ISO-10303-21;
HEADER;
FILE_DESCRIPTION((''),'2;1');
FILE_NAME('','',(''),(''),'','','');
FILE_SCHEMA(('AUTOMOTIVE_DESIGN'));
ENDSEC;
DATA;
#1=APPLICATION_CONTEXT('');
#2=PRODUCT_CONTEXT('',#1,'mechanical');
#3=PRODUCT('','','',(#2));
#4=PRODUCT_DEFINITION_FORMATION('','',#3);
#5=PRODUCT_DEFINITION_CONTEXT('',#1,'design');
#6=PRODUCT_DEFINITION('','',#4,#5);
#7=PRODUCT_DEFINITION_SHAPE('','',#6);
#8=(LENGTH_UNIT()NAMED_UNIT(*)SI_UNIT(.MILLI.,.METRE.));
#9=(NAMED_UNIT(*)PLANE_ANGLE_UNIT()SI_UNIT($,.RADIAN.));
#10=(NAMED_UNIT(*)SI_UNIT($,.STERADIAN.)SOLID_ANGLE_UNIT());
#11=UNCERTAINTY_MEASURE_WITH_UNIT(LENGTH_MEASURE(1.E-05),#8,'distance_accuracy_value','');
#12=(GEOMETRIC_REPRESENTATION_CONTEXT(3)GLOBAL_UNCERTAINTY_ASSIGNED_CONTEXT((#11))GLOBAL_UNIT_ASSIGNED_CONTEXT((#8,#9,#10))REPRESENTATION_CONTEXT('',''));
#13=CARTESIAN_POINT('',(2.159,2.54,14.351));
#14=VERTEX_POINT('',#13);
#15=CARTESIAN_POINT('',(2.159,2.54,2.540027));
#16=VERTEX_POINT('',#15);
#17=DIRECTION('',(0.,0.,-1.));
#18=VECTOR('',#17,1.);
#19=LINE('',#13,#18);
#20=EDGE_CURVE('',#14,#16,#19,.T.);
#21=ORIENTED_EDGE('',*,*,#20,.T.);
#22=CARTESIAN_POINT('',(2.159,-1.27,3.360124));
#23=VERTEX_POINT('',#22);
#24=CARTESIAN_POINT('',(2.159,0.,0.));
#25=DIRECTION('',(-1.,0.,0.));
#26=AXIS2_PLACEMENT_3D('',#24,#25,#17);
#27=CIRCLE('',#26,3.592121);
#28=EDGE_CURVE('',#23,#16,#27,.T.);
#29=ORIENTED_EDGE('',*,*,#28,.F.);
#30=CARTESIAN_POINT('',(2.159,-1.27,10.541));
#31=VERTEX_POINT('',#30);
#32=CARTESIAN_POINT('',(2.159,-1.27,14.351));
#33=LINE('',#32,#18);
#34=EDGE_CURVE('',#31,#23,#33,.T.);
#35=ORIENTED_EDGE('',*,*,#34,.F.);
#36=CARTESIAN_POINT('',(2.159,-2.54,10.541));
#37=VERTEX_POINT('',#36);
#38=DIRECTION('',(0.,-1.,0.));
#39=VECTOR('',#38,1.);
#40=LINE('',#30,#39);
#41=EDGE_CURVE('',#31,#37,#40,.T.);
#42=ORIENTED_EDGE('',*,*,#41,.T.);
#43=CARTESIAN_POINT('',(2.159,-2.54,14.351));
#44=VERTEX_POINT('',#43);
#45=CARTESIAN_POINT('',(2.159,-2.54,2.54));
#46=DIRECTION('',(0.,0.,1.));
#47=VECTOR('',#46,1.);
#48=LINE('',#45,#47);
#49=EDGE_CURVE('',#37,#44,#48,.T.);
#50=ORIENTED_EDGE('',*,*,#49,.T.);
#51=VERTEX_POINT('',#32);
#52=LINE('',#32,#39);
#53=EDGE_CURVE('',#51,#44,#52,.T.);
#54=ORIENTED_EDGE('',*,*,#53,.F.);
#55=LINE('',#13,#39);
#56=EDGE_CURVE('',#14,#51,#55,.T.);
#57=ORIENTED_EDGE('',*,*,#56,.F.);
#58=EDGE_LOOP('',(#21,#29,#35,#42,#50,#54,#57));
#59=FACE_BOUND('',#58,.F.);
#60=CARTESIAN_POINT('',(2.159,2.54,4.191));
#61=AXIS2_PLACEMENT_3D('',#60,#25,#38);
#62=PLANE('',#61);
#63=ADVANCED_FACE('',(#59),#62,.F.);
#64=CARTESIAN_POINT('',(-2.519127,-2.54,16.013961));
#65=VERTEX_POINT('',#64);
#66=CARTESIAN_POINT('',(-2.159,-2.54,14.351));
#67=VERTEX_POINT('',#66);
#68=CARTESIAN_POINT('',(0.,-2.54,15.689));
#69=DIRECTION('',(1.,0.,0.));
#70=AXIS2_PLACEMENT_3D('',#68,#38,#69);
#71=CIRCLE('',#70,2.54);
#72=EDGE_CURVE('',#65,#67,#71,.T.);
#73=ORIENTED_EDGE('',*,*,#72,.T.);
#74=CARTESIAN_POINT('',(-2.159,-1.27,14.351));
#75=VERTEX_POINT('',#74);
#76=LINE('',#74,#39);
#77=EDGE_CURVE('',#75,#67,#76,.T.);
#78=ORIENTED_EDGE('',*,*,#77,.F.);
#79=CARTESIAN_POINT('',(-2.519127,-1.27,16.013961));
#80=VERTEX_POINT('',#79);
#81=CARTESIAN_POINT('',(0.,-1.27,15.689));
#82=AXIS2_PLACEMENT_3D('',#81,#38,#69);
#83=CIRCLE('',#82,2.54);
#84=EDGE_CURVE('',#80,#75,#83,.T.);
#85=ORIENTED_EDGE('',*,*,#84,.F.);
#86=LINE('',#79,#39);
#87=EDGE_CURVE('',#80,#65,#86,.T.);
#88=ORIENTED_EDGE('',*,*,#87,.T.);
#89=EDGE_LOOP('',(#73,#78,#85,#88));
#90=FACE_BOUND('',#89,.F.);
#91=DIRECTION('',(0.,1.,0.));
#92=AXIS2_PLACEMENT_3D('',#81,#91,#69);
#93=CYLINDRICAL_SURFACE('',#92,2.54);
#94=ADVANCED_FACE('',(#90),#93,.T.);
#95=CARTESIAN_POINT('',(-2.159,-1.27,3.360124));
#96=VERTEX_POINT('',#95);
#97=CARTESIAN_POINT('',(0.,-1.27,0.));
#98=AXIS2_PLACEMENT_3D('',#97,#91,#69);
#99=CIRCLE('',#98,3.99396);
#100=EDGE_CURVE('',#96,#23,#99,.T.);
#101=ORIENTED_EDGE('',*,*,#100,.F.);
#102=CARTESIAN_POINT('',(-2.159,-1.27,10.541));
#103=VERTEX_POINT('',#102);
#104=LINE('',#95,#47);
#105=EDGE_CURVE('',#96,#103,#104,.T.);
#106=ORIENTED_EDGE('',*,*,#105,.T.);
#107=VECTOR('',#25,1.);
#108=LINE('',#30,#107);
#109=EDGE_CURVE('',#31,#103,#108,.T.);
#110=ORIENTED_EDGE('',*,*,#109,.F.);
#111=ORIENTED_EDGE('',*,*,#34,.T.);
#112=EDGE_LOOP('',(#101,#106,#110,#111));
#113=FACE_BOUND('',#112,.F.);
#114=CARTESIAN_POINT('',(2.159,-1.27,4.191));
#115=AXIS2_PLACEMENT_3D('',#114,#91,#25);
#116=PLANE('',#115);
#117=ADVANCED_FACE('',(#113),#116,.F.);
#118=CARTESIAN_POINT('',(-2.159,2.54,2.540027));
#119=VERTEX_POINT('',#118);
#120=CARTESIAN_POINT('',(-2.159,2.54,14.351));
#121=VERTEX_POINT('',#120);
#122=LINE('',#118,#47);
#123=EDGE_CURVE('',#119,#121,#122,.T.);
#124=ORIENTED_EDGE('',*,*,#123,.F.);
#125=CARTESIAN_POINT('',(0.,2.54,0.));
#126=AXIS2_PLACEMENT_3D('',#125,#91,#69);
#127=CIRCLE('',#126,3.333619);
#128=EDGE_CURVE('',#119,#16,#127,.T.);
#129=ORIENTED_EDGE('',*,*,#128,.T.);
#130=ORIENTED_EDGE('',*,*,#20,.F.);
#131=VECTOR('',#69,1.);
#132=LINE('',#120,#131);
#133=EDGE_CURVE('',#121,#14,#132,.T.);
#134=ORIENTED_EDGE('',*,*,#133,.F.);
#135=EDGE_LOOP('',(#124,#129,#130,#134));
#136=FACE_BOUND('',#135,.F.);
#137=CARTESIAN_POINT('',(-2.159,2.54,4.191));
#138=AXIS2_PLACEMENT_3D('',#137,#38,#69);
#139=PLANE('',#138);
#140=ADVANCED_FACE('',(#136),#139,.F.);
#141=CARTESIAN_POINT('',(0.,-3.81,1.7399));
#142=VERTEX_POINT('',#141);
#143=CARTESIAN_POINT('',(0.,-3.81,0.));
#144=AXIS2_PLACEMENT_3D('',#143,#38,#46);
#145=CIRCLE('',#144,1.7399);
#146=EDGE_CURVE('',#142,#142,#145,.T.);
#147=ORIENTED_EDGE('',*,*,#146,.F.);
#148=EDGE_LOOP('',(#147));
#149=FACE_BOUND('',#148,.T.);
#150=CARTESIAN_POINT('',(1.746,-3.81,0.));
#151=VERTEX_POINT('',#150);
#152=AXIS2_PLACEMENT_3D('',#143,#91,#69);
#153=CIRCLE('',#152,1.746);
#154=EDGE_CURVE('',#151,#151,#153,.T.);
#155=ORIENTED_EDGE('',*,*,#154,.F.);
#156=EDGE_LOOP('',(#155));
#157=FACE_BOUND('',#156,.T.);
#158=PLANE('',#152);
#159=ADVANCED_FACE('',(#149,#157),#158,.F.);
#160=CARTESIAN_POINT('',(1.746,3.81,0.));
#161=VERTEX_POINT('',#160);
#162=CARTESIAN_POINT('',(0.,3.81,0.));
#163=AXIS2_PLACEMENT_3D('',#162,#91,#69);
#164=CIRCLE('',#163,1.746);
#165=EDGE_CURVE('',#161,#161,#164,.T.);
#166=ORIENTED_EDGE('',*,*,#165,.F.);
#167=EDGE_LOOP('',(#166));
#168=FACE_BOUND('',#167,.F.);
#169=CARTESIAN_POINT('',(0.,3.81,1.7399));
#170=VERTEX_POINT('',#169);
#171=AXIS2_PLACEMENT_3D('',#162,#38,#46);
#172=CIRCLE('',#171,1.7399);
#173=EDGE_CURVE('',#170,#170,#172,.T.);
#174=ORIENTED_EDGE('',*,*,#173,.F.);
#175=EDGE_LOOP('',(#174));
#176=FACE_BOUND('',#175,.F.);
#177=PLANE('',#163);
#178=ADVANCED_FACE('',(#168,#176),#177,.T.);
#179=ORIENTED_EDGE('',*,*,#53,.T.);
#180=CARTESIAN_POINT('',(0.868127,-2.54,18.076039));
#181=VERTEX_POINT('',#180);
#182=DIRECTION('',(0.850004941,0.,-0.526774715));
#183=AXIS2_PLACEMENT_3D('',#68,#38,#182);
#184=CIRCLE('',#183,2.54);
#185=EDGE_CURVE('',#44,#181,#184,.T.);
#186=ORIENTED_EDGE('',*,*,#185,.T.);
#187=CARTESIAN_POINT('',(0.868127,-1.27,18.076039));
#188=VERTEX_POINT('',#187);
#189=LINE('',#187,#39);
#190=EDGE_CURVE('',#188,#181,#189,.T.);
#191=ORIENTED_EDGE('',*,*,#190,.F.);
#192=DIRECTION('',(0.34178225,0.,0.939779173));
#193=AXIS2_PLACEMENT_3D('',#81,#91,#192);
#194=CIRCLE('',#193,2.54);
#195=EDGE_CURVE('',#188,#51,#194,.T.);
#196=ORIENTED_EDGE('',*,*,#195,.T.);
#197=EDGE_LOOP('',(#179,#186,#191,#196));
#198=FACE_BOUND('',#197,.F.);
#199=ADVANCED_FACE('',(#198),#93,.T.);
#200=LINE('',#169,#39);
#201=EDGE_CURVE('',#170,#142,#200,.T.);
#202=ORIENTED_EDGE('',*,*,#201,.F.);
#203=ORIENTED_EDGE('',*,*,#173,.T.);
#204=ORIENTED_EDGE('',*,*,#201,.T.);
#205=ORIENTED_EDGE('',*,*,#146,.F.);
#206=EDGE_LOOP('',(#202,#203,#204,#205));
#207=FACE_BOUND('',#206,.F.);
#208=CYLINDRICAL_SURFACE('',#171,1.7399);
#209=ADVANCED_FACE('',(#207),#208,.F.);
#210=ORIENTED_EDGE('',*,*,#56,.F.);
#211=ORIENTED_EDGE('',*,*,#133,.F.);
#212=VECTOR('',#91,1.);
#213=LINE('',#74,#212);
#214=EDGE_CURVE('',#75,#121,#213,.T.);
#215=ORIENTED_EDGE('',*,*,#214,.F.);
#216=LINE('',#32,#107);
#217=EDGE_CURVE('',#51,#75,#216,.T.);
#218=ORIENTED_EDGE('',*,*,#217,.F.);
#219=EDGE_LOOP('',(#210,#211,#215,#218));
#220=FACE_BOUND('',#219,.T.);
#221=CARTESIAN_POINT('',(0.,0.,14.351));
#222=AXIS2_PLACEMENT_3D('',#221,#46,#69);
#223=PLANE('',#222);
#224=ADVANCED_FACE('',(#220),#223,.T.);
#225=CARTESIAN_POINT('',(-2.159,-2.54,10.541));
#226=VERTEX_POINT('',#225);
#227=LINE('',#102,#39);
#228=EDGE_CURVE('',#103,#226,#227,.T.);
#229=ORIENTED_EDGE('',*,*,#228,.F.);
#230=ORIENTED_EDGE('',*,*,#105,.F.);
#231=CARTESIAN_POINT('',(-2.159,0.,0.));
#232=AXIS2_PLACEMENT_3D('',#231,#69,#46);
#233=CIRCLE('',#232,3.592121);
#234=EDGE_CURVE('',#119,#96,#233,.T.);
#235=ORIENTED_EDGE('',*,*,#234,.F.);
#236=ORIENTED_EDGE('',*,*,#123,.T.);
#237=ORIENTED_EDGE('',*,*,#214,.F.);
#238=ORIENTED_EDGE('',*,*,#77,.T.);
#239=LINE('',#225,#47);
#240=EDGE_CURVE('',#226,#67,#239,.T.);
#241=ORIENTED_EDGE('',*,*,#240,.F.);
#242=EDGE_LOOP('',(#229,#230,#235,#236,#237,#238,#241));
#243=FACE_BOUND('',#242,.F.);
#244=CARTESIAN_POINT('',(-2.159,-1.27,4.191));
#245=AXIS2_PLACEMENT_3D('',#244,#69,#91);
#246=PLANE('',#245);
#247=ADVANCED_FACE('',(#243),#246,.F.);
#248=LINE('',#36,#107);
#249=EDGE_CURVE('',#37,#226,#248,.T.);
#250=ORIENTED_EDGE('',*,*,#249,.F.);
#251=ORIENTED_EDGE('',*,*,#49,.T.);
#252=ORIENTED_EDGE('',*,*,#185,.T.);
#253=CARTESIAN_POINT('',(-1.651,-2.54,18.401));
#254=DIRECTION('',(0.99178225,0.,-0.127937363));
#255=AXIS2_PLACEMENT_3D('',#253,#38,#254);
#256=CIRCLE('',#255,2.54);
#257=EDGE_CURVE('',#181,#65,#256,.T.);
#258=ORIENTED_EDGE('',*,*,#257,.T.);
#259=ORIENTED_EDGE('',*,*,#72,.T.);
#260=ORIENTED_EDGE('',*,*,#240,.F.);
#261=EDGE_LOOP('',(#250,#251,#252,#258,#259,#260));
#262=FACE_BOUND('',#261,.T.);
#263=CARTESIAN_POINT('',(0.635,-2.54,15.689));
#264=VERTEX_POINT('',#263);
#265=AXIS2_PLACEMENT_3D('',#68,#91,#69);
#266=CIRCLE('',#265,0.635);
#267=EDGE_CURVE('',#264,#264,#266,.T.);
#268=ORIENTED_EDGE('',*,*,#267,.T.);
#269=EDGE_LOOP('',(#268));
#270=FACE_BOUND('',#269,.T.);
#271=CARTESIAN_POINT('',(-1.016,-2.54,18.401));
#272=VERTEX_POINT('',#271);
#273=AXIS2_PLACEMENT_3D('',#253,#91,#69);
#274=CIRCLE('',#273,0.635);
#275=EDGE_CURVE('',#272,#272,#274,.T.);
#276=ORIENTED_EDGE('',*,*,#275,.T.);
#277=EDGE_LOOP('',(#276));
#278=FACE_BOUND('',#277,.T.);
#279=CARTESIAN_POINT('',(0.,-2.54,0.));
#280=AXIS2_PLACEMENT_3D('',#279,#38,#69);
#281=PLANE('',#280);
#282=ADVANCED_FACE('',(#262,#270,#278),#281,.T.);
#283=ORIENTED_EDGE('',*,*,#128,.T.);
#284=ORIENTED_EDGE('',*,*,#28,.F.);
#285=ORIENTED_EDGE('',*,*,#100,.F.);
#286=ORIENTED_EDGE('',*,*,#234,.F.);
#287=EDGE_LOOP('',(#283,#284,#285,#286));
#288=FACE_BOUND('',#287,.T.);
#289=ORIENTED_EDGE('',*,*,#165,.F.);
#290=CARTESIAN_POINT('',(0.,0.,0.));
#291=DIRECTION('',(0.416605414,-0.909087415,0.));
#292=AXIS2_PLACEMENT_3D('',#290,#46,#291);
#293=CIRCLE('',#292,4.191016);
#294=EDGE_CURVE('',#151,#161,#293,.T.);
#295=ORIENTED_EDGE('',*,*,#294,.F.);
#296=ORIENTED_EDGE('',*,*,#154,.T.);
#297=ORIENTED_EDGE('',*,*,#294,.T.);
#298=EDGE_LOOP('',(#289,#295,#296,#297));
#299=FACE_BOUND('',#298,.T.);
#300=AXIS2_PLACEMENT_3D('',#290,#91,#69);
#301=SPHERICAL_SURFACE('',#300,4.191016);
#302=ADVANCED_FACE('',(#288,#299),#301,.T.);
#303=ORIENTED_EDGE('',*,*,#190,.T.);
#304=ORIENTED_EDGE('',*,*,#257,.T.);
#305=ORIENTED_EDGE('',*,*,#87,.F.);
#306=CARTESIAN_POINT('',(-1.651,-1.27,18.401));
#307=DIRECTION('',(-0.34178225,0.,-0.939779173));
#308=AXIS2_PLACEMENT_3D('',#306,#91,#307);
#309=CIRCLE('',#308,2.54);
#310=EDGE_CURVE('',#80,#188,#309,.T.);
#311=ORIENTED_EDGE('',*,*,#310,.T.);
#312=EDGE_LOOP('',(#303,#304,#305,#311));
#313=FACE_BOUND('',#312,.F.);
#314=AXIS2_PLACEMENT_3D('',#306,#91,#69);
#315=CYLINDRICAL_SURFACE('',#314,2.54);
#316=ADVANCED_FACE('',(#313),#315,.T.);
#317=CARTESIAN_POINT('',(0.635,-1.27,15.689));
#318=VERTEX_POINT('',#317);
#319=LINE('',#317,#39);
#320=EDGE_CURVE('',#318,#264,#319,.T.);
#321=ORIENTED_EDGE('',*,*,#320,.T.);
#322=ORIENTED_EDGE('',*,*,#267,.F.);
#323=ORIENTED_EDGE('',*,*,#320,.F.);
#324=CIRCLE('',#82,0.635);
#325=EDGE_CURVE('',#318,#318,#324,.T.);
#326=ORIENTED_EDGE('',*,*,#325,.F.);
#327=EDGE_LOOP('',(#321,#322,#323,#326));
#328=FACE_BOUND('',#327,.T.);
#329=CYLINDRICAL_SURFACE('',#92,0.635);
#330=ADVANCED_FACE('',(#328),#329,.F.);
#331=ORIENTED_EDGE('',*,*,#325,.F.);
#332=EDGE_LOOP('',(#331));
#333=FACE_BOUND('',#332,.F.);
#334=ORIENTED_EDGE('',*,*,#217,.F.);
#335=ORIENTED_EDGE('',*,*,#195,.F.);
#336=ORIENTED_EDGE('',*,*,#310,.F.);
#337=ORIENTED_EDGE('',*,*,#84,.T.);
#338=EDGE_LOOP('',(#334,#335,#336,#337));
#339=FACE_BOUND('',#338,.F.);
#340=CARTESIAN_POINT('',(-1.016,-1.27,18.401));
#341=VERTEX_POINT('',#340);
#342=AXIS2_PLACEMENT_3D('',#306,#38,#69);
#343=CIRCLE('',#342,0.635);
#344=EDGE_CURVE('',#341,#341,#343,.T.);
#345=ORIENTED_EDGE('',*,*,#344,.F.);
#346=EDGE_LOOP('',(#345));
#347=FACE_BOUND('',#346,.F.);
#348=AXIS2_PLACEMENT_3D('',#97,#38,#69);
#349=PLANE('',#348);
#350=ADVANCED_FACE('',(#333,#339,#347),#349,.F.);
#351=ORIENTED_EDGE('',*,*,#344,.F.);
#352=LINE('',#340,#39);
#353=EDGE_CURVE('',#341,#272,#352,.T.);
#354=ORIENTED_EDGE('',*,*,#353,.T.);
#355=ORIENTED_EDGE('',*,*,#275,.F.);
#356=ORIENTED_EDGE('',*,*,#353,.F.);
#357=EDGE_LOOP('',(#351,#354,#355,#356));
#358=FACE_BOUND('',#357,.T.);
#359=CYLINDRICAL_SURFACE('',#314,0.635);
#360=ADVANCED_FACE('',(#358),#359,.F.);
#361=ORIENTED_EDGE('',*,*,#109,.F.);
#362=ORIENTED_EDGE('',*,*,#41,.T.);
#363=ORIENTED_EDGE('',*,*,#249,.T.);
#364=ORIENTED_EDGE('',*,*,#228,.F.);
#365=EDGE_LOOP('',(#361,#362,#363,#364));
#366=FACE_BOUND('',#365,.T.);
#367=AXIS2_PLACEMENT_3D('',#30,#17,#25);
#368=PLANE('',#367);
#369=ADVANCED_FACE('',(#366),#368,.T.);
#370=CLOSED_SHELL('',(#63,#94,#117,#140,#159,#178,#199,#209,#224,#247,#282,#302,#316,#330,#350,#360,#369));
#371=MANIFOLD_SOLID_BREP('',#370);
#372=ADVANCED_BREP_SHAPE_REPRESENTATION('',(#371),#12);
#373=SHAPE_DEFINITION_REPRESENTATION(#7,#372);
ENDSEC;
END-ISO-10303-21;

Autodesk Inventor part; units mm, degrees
ref_plane "YZ Plane" through (0, 0, 0) normal (1, 0, 0) x (0, 1, 0)
ref_plane "XZ Plane" through (0, 0, 0) normal (0, 1, 0) x (-1, 0, 0)
sketch "Sketch1" plane through (0, 0, 0) normal (0, 0, 1) x (1, 0, 0)
  line L0 (0, 3.81) -> (1.746, 3.81)
  line L1 (0, 0) -> (0, 7.4896) construction
  line L2 (0, 0) -> (13.1944, 0) construction
  line L3 (0, -3.81) -> (1.746, -3.81)
  arc A0 (1.746, -3.81) -> (1.746, 3.81) centre (0, 0) ccw
  line L4 (0, 3.81) -> (0, -3.81)
  point P0 (-6.8886, 3.81)
  point P1 (6.6767, 3.81)
  point P2 (0, 4.191)
  point P3 (0, 4.191)
  point P4 (-6.8886, -3.81)
  point P5 (6.6767, -3.81)
  point P6 (0, 4.191)
  point P7 (4.191, 0)
  dimension "d1" = 0.381
  dimension "d11" = 4.191
revolve "Revolution1" add sketch "Sketch1" angle 360 about axis through (0, 0, 0) along (0, 1, 0)
sketch "Sketch2" plane through (0, 3.81, 0) normal (0, 1, 0) x (1, 0, 0)
  circle A0 centre (0, 0) radius 1.746 projected
  dimension "d3" = 3.4919
hole "Hole1" at (0, 3.81, 0) direction (0, -1, 0) diameter 3.4798 end through all
ref_plane "Work Plane1" through (0, 0, 4.191) normal (0, 0, 1) x (1, 0, 0)
sketch "Sketch3" plane through (0, 0, 4.191) normal (0, 0, 1) x (1, 0, 0)
  line L0 (-2.159, 2.54) -> (2.159, 2.54)
  line L1 (2.159, 2.54) -> (2.159, -1.27)
  line L2 (2.159, -1.27) -> (-2.159, -1.27)
  line L3 (-2.159, -1.27) -> (-2.159, 2.54)
  line L4 (1.746, 3.81) -> (-1.746, 3.81) projected
  point P0 (0, 0)
  point P1 (0, 2.54)
  dimension "d13" = 4.318
  dimension "d14" = 3.81
  dimension "d15" = 1.27
extrude "Extrusion1" add sketch "Sketch3" along normal blind 10.16
ref_plane "Work Plane2" through (0, 0, 1.7399) normal (0, 0, 1) x (1, 0, 0)
extrude "Extrusion2" add sketch "Sketch3" against normal up to surface (2.4511 mm away)
sketch "Sketch4" plane through (0, -1.27, 0) normal (0, -1, 0) x (1, 0, 0)
  line L0 (2.159, 2.54) -> (2.159, 14.351) projected
  line L1 (2.159, 10.541) -> (-2.159, 10.541)
  line L2 (-2.159, 10.541) -> (-2.159, 14.351)
  line L3 (-2.159, 14.351) -> (2.159, 14.351)
  line L4 (2.159, 14.351) -> (2.159, 10.541) construction
  line L5 (-2.159, 14.351) -> (2.159, 14.351) projected
  circle A0 centre (0, 15.689) radius 0.635
  circle A1 centre (0, 15.689) radius 2.54
  circle A2 centre (-1.651, 18.401) radius 0.635
  circle A3 centre (-1.651, 18.401) radius 2.54
  point P0 (0, 0)
  point P1 (2.159, 14.351)
  point P2 (0, 14.351)
  point P3 (2.159, 14.351)
  point P4 (0.889, 18.401)
  point P5 (-2.5191, 16.014)
  point P6 (-1.3208, 17.8586)
  point P7 (0.8681, 18.0761)
  dimension "d31" = 5.08
  dimension "d22" = 3.81
  dimension "d25" = 1.27
  dimension "d27" = 5.08
  dimension "d30" = 1.27
  dimension "d32" = 1.27
  dimension "d33" = 4.318
extrude "Extrusion4" add sketch "Sketch4" along normal blind 1.27
properties part number "Left Arm" material "Phenolic Resin"
